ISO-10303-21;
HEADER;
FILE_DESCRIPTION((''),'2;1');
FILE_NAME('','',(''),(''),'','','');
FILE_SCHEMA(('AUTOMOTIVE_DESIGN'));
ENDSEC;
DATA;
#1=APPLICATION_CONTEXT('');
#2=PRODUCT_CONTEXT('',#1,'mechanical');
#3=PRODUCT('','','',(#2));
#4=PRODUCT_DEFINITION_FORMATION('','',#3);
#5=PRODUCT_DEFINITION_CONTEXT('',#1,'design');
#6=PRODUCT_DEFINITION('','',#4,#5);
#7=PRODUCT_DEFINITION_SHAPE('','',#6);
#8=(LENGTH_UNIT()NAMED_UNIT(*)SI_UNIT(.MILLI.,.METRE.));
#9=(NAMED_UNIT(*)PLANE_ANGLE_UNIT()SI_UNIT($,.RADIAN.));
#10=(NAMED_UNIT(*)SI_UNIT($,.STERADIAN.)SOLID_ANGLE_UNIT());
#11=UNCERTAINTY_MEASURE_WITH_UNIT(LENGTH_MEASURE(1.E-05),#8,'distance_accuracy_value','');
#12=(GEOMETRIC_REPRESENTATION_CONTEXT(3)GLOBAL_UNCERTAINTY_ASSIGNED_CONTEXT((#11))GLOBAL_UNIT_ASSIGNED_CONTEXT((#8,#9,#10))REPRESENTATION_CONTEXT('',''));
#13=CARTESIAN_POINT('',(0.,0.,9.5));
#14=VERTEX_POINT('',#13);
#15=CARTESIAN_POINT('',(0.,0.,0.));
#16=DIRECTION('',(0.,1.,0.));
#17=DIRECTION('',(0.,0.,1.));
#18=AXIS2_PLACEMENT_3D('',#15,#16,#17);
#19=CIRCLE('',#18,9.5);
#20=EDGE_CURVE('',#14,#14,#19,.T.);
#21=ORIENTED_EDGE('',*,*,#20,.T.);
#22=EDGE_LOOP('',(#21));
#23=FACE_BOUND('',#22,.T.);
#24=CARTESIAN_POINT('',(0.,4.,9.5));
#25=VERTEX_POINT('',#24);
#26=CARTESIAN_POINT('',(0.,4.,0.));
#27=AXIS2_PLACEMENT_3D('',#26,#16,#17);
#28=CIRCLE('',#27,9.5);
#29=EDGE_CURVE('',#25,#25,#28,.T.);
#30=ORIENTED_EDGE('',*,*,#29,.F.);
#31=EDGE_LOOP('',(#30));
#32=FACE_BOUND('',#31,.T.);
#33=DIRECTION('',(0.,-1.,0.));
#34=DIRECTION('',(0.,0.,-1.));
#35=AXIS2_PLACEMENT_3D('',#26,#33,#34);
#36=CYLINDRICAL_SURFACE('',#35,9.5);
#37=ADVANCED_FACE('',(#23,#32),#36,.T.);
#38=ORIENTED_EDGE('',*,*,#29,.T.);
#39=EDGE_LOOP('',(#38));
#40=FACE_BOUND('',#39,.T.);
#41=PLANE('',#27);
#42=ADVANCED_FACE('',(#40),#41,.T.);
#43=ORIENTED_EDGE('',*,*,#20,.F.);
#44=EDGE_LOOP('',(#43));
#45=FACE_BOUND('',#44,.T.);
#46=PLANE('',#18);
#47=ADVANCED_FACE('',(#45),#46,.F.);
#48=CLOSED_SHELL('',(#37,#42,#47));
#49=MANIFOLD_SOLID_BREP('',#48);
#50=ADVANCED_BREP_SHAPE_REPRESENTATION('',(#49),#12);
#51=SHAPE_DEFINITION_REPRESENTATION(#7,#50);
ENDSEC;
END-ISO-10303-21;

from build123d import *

# Parameters (mm, degrees)
ESBO_O1_R                = 9.5
RESSALTO_EXTRUS_O1_DEPTH = 4


with BuildPart() as part:
    # Esboço1 → Ressalto-extrusão1 (new body)
    with BuildSketch(Plane(origin=(0, 0, 0), x_dir=(1, 0, 0), z_dir=(0, 1, 0))):
        with Locations(Location((0, 0, 0), (0, 0, 270))):
            Circle(ESBO_O1_R)
    extrude(amount=RESSALTO_EXTRUS_O1_DEPTH)


solid = part.part
